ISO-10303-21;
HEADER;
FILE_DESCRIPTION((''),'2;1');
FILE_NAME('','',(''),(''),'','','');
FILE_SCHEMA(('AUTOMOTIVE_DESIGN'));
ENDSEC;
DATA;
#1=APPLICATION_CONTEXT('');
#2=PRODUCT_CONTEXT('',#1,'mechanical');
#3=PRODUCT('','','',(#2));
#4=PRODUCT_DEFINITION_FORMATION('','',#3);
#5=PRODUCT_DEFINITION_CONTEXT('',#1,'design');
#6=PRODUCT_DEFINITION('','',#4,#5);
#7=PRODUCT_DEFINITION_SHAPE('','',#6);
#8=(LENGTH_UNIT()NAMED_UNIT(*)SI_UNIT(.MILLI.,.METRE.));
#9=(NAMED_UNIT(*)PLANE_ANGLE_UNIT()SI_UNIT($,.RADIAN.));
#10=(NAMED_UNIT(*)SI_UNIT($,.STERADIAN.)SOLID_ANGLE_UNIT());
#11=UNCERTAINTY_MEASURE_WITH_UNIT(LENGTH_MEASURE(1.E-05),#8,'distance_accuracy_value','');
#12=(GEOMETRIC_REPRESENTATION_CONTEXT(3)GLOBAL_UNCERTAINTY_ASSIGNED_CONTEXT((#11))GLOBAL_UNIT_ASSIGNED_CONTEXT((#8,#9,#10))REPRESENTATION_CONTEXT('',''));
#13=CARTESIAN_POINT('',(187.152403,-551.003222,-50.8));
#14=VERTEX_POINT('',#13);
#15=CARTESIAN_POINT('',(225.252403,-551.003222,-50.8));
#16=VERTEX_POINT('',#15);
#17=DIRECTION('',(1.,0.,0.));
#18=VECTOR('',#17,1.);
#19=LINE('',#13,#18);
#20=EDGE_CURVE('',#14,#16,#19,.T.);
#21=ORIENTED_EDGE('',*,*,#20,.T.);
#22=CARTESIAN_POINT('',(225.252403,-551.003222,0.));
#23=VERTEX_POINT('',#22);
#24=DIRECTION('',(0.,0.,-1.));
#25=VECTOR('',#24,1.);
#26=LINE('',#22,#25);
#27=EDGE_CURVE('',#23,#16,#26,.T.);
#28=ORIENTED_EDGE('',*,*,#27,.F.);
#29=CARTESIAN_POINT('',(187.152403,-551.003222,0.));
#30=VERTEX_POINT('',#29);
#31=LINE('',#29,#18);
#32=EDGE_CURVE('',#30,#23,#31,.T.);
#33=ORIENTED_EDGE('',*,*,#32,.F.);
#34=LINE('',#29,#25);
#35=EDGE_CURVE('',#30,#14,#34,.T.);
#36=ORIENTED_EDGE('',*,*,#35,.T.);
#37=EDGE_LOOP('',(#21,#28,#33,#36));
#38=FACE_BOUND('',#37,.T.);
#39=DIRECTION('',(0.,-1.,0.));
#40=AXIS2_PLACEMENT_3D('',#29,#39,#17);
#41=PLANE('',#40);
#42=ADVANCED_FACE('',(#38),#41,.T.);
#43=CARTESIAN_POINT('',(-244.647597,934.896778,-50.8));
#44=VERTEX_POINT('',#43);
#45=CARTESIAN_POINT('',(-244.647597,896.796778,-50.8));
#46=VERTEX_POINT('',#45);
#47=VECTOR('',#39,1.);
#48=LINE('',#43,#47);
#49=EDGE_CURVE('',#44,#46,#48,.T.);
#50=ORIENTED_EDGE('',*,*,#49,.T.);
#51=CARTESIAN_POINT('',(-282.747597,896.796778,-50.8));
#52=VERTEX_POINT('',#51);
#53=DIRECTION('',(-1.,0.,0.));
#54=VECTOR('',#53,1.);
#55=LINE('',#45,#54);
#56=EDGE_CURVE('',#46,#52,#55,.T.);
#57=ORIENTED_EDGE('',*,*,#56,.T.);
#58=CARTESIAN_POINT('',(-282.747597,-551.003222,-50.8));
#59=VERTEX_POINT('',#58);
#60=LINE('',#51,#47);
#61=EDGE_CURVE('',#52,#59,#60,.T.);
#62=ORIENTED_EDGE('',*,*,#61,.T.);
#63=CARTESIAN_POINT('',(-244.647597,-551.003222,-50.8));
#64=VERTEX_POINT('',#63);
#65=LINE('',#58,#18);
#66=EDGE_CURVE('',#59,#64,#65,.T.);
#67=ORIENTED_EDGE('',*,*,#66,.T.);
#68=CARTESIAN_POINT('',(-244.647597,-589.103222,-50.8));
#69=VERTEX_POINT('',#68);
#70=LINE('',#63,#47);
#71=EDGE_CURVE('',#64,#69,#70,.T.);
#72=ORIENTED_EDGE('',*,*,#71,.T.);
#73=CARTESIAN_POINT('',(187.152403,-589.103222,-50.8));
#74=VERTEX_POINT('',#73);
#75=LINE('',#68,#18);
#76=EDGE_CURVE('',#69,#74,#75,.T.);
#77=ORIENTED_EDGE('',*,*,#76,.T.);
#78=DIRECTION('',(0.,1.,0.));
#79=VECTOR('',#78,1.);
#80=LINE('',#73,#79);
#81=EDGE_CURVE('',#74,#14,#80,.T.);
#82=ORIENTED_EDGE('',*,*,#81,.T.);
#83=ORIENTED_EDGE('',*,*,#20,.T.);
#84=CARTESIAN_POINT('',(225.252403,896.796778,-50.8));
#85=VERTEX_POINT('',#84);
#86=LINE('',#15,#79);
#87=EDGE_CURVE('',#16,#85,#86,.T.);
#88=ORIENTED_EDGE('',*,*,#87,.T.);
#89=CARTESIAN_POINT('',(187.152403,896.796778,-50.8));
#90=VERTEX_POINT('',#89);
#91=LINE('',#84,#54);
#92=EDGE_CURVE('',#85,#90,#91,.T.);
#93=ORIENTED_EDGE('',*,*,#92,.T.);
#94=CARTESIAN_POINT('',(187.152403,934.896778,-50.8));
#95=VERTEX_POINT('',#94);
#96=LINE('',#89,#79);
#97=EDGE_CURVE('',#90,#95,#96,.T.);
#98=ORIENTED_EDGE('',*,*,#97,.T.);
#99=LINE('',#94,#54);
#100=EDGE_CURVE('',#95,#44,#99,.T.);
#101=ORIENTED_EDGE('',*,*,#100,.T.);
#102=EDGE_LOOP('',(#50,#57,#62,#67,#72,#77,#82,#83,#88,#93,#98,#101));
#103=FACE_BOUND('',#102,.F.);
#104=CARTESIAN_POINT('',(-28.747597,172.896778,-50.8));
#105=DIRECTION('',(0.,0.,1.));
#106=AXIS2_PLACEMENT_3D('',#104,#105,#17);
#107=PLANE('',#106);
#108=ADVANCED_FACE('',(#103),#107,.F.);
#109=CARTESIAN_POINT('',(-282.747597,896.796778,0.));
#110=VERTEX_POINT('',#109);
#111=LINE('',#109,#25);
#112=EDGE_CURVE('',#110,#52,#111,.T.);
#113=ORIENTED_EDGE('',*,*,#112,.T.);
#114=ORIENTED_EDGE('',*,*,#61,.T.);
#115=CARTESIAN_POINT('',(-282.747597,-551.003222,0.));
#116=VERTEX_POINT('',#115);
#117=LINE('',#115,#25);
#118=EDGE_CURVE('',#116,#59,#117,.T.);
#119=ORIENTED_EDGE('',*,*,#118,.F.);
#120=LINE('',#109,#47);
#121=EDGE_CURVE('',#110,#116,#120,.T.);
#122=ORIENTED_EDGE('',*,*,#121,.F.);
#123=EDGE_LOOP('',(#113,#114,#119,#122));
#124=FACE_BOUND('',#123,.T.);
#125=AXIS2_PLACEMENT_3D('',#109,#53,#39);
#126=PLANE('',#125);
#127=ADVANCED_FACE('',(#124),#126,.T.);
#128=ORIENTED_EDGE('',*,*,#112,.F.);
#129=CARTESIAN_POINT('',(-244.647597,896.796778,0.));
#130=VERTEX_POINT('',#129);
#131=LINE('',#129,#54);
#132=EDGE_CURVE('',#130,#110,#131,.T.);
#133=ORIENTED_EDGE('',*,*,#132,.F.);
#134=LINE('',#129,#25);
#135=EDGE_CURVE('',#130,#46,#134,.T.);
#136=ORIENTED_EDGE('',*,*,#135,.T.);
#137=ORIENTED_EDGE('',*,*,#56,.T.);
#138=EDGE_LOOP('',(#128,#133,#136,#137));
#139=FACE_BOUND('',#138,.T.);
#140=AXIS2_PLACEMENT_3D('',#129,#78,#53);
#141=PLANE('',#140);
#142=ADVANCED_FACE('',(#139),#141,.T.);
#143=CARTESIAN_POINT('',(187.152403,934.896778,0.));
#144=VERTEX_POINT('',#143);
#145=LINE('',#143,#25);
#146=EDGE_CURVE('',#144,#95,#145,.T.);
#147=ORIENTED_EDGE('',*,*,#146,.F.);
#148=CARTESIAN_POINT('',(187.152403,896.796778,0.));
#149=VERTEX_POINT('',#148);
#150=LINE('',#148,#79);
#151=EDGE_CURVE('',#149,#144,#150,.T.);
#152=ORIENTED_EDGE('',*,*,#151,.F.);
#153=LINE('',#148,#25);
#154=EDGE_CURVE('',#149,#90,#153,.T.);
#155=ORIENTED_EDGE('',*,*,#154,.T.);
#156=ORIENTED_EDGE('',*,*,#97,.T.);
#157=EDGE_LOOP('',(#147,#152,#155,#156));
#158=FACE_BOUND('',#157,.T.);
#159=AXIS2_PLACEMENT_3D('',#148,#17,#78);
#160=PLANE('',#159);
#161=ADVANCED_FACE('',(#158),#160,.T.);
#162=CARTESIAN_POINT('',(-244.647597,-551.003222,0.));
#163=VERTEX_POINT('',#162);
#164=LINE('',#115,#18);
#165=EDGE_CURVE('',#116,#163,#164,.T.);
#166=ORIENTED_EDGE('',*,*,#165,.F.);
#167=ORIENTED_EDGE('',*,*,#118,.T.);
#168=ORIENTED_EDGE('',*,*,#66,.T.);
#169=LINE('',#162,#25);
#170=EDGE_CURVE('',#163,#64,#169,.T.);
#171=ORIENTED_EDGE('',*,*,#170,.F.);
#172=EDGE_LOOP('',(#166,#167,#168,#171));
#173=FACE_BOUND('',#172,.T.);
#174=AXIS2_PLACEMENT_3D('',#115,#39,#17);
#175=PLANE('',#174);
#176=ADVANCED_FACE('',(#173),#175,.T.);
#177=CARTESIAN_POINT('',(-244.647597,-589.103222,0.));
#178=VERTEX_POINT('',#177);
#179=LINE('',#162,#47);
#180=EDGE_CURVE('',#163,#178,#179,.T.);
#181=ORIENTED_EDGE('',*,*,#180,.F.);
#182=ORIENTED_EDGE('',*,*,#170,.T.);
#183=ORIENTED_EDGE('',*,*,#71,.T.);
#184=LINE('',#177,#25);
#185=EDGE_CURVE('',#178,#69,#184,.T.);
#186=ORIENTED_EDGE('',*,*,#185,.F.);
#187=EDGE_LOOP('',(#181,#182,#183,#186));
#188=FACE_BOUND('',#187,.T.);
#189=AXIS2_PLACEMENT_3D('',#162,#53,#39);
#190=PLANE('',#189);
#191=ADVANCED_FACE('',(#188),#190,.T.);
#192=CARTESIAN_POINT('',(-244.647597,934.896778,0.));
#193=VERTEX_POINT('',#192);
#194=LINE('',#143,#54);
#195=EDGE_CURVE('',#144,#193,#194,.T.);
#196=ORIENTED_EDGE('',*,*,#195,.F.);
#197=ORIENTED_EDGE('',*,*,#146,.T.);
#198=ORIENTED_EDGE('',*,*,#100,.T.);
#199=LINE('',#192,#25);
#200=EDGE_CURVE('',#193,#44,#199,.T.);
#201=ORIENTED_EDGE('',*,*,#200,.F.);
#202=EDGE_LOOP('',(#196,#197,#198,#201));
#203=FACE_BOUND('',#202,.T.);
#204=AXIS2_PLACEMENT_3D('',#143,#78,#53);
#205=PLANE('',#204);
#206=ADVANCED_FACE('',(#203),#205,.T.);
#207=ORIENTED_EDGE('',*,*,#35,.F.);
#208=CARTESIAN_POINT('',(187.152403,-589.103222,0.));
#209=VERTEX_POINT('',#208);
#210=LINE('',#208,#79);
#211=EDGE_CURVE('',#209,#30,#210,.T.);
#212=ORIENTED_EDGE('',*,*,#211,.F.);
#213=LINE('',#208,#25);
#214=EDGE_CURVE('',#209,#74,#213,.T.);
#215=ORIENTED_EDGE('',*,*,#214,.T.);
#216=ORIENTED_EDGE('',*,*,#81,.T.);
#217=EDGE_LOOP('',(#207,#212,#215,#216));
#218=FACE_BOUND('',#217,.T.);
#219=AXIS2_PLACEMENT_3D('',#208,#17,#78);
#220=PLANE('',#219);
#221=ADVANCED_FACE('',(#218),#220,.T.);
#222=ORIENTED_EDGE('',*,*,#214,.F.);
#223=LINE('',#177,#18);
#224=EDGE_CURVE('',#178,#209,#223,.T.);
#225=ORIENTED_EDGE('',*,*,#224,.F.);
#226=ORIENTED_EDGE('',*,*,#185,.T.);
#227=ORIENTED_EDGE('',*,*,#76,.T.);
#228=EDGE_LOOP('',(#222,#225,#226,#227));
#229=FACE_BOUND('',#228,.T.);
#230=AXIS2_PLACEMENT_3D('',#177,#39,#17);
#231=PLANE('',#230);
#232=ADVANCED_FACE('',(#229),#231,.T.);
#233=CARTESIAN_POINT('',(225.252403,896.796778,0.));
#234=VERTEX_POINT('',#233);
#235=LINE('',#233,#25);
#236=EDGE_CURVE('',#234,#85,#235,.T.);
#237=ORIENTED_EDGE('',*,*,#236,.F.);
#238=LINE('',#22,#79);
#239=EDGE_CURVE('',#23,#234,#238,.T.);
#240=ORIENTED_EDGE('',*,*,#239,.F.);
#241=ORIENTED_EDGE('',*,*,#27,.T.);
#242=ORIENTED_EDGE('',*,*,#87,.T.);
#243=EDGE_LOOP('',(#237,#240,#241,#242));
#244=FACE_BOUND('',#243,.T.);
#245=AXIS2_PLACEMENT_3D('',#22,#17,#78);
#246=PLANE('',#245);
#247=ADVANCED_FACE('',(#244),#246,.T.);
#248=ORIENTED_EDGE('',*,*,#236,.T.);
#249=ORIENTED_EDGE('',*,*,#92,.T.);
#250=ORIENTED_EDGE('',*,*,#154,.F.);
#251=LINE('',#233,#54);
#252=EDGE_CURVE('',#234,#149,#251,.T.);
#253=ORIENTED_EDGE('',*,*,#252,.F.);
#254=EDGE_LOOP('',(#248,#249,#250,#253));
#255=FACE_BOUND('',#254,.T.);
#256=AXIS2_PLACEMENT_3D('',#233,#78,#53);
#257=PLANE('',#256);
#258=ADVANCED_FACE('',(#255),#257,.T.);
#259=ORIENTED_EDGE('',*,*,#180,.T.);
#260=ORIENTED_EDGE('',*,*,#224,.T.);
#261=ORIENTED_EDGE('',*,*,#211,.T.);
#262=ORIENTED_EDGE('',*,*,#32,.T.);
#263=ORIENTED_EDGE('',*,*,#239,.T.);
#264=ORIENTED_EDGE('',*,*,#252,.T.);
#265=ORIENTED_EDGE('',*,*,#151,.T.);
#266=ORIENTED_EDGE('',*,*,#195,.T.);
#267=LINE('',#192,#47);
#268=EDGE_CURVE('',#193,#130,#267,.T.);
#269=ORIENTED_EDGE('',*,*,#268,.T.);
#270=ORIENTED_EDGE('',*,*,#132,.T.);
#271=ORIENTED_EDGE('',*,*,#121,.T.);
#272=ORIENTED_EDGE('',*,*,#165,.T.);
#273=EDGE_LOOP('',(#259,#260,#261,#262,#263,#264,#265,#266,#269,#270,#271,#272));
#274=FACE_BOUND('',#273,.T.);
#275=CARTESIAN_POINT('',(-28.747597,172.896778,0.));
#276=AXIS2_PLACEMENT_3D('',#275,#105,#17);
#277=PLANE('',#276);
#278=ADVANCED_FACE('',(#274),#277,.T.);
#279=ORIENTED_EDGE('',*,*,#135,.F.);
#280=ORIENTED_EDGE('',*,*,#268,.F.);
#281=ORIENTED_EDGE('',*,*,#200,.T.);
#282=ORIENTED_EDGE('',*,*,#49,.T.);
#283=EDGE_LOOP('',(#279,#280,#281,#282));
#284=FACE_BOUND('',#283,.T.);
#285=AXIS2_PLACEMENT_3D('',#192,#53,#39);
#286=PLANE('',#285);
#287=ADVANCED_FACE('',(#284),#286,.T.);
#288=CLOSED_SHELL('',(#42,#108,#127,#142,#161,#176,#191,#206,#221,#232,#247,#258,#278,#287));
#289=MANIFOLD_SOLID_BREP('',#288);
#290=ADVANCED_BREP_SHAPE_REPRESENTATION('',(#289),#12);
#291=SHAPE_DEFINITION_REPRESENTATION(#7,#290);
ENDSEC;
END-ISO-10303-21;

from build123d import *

# Parameters (mm, degrees)
F1_DEPTH = 50.8


with BuildPart() as f1:
    # F0 (on Top) → F1 (new body)
    with BuildSketch(Plane.XY):
        Polygon((-244.647597, -551.003222), (-244.647597, -589.103222), (187.152403, -589.103222), (187.152403, -551.003222), (225.252403, -551.003222), (225.252403, 896.796778), (187.152403, 896.796778), (187.152403, 934.896778), (-244.647597, 934.896778), (-244.647597, 896.796778), (-282.747597, 896.796778), (-282.747597, -551.003222), align=None)
    extrude(amount=-F1_DEPTH)


solid = f1.part
